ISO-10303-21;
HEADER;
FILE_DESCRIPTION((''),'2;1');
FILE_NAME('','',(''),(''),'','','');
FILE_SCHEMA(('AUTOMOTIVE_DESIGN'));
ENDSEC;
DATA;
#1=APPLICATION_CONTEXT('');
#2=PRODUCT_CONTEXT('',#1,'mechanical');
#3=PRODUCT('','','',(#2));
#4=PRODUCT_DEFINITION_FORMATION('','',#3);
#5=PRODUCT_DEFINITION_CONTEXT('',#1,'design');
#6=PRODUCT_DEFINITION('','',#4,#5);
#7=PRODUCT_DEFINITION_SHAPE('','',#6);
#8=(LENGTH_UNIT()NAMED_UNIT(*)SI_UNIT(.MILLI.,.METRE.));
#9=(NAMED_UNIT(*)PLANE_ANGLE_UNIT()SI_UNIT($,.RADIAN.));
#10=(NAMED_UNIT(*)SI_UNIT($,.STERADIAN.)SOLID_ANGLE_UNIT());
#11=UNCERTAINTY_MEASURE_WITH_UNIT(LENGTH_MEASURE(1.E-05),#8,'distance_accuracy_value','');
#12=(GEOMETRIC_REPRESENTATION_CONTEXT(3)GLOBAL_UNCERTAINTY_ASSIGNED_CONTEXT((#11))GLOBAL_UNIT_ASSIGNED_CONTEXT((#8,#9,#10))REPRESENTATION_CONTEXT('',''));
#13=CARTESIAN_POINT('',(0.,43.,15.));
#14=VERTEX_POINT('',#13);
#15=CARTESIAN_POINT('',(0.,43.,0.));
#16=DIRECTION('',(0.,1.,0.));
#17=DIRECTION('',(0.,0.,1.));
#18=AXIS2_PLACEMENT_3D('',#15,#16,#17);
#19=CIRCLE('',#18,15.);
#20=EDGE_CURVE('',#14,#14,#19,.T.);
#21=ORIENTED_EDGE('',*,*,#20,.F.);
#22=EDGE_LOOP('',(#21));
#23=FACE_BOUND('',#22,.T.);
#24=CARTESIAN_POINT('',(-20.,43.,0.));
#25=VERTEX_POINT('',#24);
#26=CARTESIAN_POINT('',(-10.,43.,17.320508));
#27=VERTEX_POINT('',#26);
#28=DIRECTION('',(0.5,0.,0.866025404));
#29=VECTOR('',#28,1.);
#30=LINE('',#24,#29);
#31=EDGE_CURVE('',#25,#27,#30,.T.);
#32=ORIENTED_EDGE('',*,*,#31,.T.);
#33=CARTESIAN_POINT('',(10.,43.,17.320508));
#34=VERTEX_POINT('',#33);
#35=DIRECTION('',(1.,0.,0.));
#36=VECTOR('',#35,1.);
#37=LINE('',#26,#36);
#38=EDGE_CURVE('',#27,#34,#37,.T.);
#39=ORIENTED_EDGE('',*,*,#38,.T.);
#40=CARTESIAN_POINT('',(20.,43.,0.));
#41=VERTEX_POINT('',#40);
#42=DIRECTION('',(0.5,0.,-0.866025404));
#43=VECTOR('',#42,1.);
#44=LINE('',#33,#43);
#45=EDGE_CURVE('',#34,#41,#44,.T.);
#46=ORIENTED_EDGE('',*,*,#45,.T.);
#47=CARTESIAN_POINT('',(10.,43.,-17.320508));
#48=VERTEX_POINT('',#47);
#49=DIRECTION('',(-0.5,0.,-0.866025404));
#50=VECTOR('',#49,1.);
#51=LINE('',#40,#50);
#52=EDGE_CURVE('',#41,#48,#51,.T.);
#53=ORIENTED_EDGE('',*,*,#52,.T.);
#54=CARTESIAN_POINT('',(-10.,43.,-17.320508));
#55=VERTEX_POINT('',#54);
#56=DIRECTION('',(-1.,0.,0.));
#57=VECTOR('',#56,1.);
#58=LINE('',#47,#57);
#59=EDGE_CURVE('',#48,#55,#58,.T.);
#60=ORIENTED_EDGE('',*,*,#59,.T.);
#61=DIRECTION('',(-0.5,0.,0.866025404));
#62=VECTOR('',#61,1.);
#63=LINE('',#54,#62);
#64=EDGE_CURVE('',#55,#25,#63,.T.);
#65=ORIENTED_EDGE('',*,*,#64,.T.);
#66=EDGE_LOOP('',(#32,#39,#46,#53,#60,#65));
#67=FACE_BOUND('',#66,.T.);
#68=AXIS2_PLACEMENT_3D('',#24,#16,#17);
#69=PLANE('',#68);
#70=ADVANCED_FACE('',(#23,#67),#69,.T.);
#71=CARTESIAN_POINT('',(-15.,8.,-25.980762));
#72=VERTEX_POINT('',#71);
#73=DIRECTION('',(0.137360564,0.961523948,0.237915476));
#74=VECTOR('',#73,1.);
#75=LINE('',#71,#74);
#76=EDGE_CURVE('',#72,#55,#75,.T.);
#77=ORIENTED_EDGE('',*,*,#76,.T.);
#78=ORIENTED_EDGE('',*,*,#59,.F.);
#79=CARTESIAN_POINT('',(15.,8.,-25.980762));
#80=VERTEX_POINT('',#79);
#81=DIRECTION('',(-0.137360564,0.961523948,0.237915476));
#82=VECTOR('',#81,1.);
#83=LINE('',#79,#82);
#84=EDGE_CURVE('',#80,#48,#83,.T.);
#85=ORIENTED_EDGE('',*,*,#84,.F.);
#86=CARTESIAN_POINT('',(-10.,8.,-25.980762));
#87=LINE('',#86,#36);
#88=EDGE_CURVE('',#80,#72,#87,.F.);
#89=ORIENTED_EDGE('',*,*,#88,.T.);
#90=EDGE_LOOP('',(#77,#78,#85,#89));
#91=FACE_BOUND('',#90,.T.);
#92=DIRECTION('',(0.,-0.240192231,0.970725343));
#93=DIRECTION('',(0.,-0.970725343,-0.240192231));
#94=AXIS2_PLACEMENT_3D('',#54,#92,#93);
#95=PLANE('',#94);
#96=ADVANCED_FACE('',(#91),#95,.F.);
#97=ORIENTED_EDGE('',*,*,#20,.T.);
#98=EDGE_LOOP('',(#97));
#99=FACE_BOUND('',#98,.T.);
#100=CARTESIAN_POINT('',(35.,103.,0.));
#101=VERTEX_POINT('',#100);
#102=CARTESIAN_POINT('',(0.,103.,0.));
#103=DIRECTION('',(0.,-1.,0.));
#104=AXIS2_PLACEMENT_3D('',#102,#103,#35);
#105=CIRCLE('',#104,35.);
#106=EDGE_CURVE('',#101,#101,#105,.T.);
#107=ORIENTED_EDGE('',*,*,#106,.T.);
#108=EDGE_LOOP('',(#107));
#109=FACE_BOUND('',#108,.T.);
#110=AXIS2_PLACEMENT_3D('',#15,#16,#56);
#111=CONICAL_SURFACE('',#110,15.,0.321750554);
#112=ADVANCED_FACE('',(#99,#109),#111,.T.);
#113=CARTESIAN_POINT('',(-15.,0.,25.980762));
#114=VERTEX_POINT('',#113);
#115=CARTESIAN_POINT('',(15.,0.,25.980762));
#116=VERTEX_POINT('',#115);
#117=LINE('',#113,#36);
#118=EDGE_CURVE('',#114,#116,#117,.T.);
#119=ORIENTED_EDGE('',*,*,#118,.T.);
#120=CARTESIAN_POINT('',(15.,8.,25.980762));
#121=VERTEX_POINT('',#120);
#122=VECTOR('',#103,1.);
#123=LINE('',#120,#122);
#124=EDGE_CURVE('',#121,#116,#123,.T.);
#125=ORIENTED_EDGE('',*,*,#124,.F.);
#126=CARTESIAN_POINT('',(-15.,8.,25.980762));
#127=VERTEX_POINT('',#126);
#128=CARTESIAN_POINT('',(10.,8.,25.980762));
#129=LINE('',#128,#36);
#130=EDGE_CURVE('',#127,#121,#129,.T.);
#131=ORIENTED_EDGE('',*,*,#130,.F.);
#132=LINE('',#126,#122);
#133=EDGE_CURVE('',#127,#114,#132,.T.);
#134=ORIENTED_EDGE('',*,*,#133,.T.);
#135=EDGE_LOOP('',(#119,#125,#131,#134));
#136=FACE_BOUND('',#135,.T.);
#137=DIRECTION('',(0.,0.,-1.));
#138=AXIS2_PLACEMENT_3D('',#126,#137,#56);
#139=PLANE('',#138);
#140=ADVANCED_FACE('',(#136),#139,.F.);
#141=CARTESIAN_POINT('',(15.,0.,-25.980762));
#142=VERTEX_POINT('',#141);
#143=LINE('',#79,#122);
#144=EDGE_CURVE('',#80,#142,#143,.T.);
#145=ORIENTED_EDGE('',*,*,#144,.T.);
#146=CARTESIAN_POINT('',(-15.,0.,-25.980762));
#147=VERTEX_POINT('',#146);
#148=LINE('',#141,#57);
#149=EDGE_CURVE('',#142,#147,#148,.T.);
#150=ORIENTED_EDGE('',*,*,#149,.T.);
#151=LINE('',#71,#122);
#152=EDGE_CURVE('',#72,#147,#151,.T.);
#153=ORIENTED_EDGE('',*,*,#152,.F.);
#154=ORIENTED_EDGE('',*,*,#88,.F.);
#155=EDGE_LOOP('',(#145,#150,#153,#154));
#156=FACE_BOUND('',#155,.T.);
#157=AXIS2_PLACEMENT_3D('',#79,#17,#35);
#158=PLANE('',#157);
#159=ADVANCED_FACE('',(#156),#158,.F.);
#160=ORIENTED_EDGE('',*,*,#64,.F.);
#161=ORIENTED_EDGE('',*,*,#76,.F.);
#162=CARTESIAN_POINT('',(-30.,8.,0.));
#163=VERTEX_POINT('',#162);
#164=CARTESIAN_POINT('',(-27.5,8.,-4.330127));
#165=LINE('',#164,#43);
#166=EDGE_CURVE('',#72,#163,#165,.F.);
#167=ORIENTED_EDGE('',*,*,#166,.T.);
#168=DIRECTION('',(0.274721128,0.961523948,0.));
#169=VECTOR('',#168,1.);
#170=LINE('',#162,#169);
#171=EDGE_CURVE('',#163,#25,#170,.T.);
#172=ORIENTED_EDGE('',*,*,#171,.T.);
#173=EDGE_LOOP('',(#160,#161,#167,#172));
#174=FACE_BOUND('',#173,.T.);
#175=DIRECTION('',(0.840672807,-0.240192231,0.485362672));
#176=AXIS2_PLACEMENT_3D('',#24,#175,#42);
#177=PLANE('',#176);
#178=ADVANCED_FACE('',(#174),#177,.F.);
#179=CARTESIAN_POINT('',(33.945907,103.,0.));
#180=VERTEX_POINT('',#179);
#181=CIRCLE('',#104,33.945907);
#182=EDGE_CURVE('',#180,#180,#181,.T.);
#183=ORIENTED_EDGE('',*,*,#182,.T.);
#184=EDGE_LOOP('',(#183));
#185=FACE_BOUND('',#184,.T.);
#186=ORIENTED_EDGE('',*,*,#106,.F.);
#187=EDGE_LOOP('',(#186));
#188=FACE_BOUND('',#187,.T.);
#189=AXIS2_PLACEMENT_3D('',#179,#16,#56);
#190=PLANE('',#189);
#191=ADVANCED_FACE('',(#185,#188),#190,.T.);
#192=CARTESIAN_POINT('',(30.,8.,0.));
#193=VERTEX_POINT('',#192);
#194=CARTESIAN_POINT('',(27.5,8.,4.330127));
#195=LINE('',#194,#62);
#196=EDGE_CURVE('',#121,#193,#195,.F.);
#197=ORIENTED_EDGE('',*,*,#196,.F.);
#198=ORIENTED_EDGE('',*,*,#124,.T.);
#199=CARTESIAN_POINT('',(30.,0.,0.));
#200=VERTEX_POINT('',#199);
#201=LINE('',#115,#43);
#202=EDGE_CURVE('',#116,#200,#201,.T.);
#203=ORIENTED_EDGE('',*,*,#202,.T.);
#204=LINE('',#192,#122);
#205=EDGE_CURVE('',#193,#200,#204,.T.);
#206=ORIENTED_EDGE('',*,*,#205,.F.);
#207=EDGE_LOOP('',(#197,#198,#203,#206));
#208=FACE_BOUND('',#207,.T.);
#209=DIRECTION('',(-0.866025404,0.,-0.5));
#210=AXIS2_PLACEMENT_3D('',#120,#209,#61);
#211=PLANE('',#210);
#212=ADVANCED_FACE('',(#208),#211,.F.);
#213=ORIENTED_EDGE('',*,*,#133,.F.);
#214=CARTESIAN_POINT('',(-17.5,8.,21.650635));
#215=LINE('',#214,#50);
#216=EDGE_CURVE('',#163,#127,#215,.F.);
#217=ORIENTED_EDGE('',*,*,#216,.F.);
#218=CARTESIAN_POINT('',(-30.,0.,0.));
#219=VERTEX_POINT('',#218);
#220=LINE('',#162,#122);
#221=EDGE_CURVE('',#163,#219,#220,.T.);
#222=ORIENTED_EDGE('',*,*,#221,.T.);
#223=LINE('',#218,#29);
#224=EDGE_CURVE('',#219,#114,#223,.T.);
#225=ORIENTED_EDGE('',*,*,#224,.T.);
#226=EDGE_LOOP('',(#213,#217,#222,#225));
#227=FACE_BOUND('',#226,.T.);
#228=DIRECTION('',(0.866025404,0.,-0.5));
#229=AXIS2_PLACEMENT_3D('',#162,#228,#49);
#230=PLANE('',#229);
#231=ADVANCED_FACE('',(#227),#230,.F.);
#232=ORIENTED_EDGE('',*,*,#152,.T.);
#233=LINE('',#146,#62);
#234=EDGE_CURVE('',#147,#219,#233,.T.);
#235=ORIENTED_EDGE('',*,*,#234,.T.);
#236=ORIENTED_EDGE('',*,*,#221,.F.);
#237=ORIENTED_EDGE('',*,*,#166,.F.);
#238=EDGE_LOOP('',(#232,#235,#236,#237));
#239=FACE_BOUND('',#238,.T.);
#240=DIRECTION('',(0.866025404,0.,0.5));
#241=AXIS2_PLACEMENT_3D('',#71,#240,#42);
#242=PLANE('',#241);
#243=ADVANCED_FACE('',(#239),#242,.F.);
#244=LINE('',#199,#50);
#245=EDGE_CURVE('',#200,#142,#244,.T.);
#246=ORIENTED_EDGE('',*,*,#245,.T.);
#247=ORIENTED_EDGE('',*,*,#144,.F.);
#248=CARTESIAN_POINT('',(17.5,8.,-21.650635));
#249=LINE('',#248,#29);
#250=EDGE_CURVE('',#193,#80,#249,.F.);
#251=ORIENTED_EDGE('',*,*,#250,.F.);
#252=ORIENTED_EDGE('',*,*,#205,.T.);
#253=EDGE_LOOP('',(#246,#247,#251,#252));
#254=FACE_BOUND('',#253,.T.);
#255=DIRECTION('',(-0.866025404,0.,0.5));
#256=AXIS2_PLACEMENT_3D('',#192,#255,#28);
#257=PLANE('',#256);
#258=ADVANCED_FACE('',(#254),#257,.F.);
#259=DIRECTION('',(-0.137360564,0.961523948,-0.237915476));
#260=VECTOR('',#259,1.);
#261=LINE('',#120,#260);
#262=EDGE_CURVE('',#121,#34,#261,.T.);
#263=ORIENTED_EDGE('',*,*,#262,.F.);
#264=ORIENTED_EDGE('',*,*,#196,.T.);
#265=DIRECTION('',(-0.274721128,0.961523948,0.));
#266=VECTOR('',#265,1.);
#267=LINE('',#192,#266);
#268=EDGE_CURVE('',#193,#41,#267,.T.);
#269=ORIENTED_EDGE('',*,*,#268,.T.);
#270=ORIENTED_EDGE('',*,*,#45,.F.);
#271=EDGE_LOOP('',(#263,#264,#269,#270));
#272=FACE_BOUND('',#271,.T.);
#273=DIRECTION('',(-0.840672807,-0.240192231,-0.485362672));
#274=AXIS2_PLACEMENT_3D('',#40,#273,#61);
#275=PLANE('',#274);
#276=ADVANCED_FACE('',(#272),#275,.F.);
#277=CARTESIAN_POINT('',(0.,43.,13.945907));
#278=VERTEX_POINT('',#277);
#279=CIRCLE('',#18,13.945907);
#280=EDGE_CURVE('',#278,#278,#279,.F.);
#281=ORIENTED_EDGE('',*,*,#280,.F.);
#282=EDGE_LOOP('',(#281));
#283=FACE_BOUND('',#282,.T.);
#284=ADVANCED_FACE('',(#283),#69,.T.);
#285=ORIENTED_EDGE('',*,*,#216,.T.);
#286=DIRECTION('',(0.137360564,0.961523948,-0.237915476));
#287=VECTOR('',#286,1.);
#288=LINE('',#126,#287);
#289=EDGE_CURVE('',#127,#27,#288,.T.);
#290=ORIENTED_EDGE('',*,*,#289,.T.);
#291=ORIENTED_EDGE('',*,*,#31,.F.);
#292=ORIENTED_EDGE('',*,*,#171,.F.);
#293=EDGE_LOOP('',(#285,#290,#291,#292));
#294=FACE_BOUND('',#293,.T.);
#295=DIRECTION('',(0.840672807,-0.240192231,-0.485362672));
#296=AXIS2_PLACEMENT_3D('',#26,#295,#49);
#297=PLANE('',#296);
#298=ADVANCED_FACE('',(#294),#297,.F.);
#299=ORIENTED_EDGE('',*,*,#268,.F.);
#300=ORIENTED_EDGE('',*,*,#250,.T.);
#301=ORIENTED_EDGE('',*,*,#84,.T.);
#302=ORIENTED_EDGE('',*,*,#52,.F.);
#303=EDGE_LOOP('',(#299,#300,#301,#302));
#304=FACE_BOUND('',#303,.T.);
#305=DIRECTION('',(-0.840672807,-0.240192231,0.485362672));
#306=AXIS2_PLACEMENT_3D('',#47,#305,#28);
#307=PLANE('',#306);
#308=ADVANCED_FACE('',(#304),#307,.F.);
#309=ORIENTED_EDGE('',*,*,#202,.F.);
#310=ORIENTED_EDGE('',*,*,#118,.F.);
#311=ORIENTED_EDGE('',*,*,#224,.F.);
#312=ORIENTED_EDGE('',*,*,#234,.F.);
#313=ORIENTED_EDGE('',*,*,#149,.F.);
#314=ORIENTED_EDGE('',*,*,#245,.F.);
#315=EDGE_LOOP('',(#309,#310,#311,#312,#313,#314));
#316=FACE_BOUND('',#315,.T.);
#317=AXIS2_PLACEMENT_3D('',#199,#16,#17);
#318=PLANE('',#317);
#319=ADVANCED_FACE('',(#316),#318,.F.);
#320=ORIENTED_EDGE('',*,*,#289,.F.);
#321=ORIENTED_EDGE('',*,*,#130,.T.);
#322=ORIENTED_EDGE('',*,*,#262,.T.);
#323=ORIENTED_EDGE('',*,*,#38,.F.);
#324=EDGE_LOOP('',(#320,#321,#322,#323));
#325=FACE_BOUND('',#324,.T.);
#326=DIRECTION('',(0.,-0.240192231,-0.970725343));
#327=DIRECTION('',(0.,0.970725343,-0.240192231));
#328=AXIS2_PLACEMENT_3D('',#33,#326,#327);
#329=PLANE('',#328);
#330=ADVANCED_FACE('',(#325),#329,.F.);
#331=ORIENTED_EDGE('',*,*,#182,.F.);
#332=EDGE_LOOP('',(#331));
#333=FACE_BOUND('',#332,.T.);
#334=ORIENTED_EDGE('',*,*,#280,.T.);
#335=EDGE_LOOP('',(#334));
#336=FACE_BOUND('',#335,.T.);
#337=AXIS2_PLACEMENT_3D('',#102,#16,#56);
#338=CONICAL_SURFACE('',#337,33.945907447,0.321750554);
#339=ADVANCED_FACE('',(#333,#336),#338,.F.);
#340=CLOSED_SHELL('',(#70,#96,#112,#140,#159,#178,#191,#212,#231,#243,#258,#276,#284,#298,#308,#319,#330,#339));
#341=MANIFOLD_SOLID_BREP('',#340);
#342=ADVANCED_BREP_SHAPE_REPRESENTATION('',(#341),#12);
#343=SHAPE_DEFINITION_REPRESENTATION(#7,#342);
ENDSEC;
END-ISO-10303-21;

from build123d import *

# Parameters (mm, degrees)
EXTRUDE1_DEPTH = 8


with BuildPart() as part:
    # Sketch1 → Extrude1 (new body)
    with BuildSketch(Plane(origin=(0, 0, 0), x_dir=(1, 0, 0), z_dir=(0, 1, 0))):
        Polygon((30, 0), (15, 25.980762114), (-15, 25.980762114), (-30, 0), (-15, -25.980762114), (15, -25.980762114), align=None)
    extrude(amount=EXTRUDE1_DEPTH)

    # Sketch2 → Loft1 section 0
    with BuildSketch(Plane(origin=(0, 8, 0), x_dir=(1, 0, 0), z_dir=(0, 1, 0))):
        Polygon((30, 0), (15, 25.980762114), (-15, 25.980762114), (-30, 0), (-15, -25.980762114), (15, -25.980762114), align=None)
    # Sketch3 → Loft1 section 1
    with BuildSketch(Plane(origin=(0, 43, 0), x_dir=(-1, 0, 0), z_dir=(0, 1, 0))):
        Polygon((20, 0), (10, 17.320508076), (-10, 17.320508076), (-20, 0), (-10, -17.320508076), (10, -17.320508076), align=None)
    loft()

    # Sketch4 → Revolve1 (revolve)
    with BuildSketch(Plane.XY, mode=Mode.PRIVATE) as revolve1_sk:
        Polygon((35, 103), (15, 43), (13.945907447, 43), (33.945907447, 103), align=None)
    revolve(revolve1_sk.sketch.rotate(Axis((0, 43, 0), (0, 1, 0)), 270), axis=Axis((0, 43, 0), (0, 1, 0)))  # turned: the seam where the file's is


solid = part.part
